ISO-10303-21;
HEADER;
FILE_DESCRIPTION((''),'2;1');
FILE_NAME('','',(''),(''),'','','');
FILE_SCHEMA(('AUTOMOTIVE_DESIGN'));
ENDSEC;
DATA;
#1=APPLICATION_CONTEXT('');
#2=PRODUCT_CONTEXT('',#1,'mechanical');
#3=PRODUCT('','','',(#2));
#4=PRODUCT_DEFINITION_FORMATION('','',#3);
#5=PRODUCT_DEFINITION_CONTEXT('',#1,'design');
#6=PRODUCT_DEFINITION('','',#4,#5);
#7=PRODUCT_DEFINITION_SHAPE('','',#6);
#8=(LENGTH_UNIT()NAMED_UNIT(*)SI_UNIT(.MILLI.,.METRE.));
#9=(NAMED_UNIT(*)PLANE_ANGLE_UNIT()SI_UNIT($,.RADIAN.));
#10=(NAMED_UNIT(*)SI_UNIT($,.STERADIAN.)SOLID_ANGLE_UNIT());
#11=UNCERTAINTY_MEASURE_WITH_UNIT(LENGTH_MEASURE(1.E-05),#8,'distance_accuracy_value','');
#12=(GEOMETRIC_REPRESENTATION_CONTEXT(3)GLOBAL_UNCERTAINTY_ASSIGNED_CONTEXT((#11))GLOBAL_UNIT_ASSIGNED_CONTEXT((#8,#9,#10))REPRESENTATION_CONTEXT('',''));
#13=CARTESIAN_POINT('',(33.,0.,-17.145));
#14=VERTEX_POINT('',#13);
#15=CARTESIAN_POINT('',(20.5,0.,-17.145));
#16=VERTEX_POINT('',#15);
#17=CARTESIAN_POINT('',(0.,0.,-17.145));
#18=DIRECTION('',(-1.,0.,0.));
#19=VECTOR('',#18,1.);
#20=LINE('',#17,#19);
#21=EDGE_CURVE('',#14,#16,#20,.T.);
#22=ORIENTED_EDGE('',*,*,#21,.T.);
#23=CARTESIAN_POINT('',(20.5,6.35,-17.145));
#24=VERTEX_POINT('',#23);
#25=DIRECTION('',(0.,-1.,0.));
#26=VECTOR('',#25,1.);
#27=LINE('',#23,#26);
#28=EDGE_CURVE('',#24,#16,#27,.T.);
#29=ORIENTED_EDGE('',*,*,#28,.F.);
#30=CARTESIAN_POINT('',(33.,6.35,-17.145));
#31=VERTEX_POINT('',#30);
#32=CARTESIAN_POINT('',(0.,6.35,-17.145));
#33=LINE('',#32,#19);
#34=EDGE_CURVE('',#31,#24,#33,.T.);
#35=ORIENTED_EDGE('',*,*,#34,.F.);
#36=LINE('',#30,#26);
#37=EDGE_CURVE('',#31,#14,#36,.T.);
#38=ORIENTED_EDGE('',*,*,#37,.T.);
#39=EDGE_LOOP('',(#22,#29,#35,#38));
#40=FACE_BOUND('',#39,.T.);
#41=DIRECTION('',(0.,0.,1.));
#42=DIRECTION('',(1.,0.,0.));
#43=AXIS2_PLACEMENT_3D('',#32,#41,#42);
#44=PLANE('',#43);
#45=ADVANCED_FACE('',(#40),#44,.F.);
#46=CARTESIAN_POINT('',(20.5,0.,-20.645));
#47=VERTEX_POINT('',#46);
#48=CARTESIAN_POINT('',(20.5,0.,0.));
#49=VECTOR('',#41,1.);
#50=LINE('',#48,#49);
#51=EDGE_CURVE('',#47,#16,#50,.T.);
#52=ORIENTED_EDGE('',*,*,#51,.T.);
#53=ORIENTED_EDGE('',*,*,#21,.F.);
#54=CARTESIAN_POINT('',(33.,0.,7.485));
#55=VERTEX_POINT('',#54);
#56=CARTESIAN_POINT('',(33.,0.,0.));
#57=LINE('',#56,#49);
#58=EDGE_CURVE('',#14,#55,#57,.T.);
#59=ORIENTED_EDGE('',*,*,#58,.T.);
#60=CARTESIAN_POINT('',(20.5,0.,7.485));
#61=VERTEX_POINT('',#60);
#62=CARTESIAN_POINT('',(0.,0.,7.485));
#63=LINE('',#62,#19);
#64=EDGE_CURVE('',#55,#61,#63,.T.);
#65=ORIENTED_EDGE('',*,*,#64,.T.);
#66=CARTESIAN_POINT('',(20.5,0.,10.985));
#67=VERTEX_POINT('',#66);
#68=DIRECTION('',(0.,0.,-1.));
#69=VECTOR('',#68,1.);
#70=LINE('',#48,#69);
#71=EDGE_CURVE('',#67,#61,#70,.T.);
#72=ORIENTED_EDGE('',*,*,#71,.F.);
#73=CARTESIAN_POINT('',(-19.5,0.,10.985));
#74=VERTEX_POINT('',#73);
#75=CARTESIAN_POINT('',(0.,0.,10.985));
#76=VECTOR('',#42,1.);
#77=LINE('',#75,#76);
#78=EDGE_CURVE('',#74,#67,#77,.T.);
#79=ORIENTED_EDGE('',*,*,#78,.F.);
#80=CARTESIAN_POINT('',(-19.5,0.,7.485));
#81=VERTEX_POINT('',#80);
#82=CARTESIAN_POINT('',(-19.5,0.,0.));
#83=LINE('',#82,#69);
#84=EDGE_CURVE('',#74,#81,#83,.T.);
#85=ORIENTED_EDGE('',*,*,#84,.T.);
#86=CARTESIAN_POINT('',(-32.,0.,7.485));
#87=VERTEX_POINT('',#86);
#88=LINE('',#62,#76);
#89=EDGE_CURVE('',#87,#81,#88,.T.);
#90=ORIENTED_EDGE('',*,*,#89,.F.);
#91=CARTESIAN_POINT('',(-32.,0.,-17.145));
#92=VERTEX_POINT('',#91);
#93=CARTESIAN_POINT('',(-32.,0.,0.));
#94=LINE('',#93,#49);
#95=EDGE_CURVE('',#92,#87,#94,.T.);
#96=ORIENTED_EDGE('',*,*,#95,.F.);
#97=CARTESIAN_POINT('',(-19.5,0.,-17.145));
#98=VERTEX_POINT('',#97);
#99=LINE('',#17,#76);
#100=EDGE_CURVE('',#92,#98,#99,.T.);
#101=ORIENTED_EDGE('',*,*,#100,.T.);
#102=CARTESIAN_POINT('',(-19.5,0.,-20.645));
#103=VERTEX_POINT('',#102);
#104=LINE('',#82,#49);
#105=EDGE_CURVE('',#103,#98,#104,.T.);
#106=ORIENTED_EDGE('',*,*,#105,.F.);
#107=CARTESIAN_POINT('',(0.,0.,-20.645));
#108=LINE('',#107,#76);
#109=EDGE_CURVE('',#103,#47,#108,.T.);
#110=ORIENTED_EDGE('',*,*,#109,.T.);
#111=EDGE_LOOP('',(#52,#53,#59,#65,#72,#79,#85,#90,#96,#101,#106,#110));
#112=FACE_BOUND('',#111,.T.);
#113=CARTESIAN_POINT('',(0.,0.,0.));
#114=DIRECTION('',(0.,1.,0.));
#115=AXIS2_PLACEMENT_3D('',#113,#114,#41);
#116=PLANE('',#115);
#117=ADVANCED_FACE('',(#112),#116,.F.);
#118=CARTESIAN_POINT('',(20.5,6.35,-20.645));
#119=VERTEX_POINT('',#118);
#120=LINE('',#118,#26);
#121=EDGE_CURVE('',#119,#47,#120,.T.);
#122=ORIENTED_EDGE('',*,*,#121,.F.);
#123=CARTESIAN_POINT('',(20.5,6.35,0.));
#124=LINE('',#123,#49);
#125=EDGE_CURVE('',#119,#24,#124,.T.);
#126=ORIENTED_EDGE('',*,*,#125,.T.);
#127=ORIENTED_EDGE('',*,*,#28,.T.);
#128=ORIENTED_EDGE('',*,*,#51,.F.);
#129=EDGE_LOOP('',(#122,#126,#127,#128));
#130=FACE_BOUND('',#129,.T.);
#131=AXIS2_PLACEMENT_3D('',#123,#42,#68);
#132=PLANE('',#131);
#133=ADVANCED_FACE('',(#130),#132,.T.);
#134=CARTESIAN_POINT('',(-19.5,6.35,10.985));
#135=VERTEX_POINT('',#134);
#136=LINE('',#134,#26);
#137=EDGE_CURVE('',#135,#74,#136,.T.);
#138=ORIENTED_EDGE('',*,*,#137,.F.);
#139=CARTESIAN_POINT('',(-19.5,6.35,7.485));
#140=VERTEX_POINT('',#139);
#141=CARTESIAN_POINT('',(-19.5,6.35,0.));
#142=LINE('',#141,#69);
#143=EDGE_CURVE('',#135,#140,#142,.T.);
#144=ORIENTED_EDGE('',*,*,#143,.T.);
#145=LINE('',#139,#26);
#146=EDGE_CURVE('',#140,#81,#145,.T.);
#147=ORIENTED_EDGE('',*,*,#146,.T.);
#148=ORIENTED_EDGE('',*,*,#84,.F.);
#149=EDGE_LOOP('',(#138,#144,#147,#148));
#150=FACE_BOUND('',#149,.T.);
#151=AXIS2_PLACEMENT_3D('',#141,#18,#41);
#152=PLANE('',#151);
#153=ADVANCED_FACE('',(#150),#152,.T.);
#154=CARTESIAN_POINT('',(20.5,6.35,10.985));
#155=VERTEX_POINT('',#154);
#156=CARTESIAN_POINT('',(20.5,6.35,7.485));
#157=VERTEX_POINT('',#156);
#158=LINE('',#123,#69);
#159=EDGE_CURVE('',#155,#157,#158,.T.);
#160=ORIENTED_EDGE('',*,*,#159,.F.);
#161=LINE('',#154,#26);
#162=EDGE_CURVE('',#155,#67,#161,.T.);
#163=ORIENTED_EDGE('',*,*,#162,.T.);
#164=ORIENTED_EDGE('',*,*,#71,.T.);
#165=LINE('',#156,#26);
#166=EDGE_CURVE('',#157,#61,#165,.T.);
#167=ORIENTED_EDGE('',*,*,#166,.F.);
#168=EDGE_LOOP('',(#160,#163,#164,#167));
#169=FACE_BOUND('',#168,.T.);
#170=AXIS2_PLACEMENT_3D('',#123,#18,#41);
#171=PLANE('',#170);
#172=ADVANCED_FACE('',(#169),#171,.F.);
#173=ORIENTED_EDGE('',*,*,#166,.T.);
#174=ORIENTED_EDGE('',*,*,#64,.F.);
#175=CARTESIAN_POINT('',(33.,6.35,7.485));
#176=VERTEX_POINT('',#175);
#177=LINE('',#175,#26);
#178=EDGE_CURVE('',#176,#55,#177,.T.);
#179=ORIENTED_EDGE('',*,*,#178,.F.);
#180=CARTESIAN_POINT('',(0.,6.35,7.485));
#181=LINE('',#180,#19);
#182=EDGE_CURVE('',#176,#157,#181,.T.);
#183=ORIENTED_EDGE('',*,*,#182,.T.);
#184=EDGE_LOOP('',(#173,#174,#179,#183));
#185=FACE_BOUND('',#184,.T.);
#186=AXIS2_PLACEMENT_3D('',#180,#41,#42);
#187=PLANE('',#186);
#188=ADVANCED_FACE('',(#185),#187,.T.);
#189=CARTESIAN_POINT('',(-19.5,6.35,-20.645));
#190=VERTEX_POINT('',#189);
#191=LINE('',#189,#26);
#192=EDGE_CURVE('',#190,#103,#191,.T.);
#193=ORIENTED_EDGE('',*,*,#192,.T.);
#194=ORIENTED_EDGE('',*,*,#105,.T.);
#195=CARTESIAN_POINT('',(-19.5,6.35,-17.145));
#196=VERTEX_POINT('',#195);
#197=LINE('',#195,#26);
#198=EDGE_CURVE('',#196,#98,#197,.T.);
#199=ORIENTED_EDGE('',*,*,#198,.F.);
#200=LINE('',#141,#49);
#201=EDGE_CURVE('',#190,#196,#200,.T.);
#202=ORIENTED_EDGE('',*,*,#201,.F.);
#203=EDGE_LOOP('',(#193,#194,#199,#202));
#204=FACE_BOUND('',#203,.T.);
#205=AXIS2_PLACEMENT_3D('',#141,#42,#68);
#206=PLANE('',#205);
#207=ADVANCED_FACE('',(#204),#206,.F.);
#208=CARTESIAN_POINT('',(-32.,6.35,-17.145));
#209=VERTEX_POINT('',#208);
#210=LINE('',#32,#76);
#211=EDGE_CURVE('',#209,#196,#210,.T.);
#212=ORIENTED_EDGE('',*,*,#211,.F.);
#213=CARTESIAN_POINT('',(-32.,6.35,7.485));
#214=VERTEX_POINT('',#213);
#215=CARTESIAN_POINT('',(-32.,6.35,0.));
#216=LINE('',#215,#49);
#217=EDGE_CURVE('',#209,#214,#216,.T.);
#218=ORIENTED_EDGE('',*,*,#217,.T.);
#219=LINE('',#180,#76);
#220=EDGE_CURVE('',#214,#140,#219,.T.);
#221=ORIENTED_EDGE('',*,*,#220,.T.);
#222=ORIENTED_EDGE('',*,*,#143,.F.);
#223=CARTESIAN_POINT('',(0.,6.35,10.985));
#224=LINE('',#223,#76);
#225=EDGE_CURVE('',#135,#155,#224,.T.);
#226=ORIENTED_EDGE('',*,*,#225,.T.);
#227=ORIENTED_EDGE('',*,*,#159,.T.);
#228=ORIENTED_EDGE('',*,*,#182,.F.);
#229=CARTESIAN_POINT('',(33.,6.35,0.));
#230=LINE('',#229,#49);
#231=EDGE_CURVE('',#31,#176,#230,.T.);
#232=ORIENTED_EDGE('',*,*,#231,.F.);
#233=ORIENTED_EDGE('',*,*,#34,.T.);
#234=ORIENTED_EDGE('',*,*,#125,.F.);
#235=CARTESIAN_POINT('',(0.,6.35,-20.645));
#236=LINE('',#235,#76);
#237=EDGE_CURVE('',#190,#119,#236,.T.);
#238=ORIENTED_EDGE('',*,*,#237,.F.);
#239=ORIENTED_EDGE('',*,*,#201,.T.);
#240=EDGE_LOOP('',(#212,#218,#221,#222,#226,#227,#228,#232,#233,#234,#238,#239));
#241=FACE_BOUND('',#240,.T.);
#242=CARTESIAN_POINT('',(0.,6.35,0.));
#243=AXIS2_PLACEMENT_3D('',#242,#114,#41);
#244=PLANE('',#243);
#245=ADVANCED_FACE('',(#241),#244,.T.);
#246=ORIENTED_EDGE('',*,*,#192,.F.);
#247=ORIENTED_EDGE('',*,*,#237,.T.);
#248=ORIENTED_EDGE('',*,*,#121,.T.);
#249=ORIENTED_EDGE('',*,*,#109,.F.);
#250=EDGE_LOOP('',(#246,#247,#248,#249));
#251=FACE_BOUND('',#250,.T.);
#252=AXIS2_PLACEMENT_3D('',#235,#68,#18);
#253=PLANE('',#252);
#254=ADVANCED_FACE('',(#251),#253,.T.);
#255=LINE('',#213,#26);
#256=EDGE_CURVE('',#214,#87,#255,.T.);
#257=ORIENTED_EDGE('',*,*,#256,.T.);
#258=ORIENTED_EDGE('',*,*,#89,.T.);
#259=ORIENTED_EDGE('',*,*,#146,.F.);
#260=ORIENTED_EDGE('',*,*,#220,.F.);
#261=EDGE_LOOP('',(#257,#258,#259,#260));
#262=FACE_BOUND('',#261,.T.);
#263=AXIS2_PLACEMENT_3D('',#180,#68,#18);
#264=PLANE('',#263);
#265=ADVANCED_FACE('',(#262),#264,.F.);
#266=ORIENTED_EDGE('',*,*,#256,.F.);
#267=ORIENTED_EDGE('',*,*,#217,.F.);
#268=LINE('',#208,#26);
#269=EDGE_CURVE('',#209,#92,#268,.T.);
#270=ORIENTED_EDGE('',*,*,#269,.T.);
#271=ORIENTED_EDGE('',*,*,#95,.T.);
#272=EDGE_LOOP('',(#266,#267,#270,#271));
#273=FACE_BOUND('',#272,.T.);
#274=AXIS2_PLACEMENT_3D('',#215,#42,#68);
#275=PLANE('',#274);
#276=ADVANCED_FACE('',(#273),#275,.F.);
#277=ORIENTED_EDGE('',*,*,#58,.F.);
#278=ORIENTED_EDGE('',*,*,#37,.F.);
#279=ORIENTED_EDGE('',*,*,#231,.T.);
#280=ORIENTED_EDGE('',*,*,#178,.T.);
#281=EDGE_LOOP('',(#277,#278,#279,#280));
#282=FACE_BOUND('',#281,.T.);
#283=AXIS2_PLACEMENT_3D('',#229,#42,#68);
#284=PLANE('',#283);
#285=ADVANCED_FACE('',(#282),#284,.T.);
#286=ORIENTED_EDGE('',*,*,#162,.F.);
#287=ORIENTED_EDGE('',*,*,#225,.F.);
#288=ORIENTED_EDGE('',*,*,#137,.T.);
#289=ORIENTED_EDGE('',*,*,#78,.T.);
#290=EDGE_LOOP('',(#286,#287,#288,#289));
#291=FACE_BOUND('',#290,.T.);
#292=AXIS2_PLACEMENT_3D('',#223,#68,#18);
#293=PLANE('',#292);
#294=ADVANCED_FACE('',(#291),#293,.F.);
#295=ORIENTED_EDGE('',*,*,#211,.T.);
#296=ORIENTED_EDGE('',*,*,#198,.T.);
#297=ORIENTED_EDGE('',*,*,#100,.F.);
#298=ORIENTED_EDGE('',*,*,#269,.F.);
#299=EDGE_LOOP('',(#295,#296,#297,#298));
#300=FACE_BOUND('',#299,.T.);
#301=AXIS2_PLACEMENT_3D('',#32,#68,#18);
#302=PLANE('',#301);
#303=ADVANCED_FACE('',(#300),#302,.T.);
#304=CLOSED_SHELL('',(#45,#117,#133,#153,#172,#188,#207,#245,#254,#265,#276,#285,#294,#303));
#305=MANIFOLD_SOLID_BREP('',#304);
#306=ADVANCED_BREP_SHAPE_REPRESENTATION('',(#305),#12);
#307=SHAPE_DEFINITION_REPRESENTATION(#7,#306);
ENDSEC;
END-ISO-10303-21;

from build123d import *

# Parameters (mm, degrees)
BOSS_EXTRUDE1_DEPTH = 6.35


with BuildPart() as part:
    # Sketch1 → Boss-Extrude1 (new body)
    with BuildSketch(Plane(origin=(0, 0, 0), x_dir=(1, 0, 0), z_dir=(0, 1, 0))):
        Polygon((20.5, 20.645), (-19.5, 20.645), (-19.5, 17.145), (-32, 17.145), (-32, -7.485), (-19.5, -7.485), (-19.5, -10.985), (20.5, -10.985), (20.5, -7.485), (33, -7.485), (33, 17.145), (20.5, 17.145), align=None)
    extrude(amount=BOSS_EXTRUDE1_DEPTH)


solid = part.part
